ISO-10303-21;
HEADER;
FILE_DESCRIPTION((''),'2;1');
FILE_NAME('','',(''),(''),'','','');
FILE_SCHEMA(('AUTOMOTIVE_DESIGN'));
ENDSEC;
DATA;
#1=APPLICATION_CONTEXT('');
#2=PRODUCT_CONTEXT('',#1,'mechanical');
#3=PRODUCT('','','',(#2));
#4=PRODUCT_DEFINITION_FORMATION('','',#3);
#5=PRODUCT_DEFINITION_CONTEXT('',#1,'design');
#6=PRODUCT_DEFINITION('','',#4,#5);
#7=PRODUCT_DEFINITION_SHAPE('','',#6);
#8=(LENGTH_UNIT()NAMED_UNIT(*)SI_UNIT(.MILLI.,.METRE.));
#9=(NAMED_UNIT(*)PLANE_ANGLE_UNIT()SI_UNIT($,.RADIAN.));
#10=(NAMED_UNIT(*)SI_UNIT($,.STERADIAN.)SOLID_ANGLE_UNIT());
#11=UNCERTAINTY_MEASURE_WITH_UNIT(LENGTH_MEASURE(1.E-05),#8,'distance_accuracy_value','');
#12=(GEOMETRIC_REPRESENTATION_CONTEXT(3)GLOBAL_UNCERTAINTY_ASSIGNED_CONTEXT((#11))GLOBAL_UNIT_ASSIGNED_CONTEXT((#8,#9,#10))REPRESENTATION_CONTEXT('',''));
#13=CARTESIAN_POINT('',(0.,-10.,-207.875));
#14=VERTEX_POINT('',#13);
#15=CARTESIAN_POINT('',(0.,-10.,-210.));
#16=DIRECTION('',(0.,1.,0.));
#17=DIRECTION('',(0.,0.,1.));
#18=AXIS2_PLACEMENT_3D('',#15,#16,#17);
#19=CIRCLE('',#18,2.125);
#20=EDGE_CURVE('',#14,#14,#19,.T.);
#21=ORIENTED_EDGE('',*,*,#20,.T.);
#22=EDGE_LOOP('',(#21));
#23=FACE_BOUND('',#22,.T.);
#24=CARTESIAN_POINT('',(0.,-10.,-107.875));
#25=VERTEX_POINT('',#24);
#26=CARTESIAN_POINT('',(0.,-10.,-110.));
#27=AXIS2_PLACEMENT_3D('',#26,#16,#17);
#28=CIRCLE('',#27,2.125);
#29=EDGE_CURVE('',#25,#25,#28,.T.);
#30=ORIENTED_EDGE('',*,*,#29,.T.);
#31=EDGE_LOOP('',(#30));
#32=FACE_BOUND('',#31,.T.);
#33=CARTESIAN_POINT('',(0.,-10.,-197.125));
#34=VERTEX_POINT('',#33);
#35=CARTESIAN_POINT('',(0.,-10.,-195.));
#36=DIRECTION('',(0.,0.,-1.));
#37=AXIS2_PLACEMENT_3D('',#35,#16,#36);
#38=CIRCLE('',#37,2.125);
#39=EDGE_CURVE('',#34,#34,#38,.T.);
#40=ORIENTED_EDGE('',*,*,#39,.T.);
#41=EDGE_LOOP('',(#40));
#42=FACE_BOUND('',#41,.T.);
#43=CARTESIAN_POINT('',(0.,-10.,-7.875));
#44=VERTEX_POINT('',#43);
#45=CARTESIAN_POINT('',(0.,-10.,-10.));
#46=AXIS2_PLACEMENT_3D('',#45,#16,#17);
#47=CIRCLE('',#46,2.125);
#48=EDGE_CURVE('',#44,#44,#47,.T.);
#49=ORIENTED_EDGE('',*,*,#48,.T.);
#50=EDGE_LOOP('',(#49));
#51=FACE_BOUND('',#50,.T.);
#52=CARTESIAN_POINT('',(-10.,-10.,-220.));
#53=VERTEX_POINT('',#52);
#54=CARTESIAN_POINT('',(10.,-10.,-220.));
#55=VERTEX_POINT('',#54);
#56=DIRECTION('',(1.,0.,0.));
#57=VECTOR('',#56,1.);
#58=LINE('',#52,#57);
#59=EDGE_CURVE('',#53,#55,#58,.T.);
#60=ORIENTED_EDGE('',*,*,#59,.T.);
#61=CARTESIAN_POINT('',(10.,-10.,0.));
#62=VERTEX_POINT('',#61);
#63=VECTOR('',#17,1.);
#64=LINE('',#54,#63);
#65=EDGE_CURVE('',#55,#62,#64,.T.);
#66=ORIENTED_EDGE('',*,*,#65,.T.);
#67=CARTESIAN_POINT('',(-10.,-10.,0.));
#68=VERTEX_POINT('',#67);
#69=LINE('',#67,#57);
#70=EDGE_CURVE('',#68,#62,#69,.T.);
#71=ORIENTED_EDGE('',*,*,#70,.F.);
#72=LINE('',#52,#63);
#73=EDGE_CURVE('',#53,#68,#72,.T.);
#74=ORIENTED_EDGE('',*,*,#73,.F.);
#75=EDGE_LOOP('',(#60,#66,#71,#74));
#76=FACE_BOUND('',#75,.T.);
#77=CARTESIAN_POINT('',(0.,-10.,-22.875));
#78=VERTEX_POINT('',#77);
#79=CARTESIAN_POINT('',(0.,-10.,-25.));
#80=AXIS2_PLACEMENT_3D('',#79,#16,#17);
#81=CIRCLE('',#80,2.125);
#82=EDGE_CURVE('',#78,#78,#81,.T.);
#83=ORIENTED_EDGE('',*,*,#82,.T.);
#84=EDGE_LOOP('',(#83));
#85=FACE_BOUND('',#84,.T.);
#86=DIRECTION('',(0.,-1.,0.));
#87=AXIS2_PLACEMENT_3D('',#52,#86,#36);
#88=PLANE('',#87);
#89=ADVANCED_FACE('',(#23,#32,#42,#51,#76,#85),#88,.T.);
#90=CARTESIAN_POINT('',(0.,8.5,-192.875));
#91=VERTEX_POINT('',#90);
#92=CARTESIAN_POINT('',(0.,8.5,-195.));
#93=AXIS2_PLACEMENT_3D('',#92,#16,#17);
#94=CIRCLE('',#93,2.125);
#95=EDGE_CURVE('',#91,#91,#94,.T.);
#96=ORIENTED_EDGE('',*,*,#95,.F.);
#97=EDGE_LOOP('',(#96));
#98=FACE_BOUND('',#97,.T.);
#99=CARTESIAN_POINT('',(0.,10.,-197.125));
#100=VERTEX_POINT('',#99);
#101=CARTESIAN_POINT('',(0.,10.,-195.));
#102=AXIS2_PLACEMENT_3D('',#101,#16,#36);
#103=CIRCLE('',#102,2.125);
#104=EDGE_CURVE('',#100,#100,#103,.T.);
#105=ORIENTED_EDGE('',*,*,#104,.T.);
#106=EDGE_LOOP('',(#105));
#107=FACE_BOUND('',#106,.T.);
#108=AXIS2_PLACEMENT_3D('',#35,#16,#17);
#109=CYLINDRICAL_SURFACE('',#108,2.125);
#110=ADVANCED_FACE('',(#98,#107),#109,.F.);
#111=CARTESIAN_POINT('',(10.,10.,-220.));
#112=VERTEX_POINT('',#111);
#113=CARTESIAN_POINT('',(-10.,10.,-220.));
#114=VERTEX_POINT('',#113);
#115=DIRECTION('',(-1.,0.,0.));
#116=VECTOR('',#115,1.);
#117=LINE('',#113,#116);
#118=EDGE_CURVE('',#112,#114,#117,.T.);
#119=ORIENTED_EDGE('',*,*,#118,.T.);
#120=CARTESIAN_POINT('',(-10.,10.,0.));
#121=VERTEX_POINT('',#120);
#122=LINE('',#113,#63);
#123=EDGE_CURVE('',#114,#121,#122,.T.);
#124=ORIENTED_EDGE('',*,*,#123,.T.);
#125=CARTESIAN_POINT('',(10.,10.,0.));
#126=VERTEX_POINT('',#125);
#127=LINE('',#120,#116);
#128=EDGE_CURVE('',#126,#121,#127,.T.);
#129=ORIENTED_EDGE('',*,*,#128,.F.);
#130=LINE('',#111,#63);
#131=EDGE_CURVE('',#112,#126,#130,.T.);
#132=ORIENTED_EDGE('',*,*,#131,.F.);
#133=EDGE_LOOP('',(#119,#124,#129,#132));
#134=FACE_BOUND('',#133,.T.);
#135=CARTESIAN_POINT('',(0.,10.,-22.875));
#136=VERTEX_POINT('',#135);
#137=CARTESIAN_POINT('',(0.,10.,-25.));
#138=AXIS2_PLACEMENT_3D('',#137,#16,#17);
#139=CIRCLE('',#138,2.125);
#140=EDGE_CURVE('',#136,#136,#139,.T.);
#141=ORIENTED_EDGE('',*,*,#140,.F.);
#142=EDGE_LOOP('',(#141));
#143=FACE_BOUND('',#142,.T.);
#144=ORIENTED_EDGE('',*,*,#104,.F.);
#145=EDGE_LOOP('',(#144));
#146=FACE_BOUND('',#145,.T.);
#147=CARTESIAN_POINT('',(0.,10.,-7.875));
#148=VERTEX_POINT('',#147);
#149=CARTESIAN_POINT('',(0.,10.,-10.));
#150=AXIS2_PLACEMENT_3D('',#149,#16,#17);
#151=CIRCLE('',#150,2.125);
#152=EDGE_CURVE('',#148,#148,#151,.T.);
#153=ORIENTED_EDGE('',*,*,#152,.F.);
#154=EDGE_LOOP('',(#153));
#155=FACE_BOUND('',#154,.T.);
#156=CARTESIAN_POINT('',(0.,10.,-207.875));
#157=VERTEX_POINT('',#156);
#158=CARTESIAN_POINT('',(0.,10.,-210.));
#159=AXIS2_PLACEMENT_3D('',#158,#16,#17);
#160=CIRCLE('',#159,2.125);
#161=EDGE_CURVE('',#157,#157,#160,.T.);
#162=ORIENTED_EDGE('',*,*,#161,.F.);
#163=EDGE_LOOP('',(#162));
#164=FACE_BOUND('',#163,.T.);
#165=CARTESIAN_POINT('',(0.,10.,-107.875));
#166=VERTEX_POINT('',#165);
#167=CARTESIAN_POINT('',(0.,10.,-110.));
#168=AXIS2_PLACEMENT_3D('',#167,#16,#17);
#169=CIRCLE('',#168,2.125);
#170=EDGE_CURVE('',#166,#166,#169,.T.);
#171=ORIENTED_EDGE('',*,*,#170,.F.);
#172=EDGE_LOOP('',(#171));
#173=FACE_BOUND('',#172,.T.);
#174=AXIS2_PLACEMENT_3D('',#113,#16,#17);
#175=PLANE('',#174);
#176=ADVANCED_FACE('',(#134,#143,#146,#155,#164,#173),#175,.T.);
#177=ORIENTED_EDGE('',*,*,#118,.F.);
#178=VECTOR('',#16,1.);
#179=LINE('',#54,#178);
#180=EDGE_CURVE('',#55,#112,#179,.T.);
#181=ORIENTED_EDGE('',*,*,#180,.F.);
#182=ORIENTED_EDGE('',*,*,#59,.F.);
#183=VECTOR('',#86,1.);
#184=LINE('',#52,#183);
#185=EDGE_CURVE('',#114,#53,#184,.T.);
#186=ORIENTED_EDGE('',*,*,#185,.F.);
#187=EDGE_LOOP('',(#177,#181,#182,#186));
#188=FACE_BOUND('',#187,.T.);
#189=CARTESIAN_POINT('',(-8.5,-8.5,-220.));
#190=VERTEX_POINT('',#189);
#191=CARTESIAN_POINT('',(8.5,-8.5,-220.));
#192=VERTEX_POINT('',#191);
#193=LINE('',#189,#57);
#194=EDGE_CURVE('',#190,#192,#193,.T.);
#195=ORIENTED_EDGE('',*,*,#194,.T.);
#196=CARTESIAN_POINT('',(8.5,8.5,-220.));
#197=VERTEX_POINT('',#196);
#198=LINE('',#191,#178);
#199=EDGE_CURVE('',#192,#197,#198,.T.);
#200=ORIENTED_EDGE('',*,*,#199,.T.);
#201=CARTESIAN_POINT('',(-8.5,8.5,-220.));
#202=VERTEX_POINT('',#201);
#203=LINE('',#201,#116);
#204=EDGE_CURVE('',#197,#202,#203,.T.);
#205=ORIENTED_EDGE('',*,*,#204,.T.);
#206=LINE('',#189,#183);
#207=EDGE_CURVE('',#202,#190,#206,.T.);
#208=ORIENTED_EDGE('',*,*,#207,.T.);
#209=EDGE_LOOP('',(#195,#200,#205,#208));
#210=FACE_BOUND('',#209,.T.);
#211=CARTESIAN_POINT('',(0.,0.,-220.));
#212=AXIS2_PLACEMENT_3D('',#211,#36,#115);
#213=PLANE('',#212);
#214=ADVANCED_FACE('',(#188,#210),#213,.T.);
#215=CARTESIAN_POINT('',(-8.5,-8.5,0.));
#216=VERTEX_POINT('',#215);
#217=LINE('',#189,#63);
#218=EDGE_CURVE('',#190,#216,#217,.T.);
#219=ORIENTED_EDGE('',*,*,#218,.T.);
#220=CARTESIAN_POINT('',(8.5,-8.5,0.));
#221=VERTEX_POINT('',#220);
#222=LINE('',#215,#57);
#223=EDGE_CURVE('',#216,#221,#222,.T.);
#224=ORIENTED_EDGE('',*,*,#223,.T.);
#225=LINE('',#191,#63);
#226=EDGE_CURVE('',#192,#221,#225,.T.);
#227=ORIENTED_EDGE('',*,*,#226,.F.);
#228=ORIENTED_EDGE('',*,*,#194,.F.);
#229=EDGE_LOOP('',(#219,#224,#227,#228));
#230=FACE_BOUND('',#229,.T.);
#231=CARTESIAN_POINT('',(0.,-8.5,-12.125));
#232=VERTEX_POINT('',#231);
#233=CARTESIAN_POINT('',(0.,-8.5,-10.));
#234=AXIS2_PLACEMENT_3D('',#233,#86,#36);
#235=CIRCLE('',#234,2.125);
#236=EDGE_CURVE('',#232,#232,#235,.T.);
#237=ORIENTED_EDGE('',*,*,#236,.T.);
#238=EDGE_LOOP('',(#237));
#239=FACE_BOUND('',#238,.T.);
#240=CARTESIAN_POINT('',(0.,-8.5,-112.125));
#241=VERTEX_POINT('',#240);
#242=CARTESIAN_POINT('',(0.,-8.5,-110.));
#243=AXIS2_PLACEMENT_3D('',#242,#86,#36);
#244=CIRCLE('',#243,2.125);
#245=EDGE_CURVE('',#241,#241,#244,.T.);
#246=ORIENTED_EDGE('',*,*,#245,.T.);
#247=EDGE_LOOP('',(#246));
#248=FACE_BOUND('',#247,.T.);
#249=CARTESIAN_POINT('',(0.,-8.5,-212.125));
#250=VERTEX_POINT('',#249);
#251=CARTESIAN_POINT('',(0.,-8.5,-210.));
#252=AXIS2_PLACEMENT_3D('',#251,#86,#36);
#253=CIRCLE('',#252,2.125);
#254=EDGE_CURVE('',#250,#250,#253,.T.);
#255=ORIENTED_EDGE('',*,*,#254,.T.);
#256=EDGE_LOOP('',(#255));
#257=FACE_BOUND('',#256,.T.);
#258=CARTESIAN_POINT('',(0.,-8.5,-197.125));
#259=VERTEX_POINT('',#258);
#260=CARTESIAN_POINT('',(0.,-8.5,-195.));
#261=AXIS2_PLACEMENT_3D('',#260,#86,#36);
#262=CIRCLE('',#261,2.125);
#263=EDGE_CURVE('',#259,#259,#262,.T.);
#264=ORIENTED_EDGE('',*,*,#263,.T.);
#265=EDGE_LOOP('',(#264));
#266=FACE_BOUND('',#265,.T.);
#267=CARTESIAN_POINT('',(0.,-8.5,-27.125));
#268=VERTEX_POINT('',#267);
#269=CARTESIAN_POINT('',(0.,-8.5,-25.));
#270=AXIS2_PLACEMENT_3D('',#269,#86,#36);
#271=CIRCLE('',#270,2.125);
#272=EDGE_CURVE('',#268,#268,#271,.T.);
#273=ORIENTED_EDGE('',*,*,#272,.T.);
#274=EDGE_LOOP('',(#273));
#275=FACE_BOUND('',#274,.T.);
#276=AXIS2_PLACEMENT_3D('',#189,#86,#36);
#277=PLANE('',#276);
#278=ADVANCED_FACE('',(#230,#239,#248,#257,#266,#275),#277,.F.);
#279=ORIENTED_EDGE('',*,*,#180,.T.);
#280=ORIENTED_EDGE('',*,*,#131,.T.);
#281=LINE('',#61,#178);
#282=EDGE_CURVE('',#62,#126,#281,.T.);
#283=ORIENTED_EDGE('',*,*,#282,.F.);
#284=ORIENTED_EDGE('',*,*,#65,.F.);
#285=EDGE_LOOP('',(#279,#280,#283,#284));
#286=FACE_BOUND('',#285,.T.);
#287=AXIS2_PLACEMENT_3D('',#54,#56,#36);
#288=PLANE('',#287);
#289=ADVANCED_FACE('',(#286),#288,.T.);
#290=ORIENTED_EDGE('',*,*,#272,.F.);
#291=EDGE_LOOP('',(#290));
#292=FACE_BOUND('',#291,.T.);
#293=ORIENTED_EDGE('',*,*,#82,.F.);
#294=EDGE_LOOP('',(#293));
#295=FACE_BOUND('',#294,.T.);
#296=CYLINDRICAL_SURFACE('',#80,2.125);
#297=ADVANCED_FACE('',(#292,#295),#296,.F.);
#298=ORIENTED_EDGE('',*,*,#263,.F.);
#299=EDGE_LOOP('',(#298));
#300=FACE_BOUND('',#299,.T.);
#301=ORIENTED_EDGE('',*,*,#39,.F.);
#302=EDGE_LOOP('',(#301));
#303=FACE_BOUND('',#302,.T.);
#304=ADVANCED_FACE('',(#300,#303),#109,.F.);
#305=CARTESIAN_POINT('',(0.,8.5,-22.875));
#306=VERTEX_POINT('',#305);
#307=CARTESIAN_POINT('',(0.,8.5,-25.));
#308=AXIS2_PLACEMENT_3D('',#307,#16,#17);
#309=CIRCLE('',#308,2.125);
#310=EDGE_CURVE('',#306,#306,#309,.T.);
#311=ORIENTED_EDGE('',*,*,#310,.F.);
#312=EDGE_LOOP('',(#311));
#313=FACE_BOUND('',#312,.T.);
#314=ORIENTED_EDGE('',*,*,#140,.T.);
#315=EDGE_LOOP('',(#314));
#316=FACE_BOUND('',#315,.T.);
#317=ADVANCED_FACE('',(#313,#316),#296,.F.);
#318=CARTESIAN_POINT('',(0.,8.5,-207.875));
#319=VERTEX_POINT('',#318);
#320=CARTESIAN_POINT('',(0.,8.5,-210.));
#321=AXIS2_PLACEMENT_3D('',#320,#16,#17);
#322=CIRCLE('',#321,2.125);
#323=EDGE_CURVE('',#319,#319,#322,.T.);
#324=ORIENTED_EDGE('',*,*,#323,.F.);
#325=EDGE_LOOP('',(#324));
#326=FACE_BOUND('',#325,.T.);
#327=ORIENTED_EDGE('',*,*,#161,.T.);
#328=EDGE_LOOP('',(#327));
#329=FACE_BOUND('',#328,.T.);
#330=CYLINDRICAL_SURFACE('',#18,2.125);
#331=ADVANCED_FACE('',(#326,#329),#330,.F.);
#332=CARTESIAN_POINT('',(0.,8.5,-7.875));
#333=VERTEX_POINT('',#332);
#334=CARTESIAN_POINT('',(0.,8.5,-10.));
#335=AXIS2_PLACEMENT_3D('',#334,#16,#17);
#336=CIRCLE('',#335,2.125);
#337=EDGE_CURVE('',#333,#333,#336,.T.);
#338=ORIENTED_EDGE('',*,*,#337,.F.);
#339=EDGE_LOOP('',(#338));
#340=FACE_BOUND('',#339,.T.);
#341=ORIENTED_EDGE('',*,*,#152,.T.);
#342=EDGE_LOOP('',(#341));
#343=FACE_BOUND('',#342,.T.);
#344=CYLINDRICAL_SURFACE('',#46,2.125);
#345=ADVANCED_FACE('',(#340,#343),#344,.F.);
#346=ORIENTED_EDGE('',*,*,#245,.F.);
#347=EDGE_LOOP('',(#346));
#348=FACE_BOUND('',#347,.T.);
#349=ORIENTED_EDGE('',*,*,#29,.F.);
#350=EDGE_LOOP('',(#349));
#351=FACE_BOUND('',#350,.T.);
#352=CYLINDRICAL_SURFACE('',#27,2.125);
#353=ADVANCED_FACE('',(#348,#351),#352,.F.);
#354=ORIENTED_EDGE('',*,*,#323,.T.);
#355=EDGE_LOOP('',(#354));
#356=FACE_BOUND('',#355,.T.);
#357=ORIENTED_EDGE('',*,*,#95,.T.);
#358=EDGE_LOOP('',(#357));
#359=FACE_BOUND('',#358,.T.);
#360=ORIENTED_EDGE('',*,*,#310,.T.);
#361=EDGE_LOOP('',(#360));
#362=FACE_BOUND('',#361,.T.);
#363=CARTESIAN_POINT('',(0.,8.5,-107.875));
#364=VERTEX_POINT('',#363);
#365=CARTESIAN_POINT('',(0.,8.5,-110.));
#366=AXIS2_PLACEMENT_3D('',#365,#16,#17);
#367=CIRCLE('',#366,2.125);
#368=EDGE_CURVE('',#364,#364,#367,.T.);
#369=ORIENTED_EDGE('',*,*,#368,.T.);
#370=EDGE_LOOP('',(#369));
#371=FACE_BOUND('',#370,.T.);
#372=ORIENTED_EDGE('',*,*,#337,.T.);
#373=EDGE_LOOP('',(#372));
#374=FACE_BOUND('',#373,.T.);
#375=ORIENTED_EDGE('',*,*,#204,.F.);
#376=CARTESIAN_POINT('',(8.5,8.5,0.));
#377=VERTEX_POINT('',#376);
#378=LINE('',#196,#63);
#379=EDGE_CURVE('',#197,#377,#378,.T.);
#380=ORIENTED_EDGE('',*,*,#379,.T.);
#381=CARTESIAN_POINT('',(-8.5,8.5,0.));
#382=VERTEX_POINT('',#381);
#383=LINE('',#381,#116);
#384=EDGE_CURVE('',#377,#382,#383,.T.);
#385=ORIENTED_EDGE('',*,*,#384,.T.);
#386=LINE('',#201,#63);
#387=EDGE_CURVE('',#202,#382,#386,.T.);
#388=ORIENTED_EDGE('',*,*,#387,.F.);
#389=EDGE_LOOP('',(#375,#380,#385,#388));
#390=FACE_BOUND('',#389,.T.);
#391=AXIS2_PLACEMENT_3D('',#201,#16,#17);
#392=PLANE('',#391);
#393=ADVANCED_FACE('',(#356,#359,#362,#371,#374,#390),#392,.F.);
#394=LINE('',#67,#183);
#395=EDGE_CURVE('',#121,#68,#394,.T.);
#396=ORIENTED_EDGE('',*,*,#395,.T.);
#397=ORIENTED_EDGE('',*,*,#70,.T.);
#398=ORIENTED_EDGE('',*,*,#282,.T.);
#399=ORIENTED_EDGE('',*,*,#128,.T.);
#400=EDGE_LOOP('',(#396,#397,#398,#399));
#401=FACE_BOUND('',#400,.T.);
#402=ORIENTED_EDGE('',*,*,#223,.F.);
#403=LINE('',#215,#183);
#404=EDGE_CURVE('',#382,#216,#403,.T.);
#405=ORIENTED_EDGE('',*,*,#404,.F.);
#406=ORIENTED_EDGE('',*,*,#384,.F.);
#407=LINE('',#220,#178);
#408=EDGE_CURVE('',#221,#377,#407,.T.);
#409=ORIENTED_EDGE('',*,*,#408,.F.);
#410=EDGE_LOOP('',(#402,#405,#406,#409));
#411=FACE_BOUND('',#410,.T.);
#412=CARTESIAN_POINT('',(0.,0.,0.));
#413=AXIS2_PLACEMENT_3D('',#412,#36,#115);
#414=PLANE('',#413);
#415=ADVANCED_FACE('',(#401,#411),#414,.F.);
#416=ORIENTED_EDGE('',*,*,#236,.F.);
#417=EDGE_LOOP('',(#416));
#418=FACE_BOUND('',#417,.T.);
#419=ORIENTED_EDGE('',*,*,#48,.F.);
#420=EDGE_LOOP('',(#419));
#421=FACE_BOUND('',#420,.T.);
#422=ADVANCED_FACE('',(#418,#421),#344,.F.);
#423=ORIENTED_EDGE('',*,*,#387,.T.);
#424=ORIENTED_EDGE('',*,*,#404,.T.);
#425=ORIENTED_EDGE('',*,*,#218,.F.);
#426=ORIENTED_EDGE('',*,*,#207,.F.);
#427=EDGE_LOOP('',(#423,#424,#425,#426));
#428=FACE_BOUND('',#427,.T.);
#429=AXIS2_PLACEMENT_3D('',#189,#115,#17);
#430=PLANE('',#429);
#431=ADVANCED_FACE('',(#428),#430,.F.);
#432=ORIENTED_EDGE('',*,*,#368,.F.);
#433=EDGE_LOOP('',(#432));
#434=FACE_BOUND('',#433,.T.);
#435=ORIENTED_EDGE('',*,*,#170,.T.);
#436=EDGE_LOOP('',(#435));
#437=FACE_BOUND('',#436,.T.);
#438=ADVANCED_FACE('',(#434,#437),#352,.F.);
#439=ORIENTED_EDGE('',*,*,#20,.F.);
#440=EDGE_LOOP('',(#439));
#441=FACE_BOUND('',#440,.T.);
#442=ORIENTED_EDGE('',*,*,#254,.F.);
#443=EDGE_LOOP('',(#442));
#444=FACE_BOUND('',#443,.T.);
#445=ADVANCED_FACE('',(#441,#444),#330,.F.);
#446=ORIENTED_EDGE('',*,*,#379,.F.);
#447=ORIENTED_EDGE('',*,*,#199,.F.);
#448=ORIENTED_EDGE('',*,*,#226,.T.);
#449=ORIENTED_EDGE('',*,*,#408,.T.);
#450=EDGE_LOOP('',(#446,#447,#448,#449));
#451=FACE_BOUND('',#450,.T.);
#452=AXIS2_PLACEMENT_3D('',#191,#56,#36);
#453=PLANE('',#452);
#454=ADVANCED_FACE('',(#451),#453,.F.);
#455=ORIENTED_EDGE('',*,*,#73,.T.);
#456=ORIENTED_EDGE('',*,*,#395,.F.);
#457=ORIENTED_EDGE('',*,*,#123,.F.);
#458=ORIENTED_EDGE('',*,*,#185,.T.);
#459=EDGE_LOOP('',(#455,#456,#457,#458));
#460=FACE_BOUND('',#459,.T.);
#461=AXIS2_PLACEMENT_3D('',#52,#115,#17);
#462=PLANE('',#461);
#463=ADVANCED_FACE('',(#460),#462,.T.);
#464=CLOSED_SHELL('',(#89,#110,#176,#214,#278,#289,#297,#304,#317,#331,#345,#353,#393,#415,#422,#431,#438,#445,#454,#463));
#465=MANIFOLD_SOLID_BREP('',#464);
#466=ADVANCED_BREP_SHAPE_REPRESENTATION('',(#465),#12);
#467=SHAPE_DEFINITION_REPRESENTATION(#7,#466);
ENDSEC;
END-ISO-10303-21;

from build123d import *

# Parameters (mm, degrees)
SKETCH1_W           = 20
SKETCH1_H           = 20
SKETCH1_W_2         = 17
SKETCH1_H_2         = 17
BOSS_EXTRUDE1_DEPTH = 220
SKETCH2_R           = 2.125
CUT_EXTRUDE1_DEPTH  = 222.133443875


with BuildPart() as part:
    # Sketch1 → Boss-Extrude1 (new body)
    with BuildSketch(Plane.XY):
        Rectangle(SKETCH1_W, SKETCH1_H)
        Rectangle(SKETCH1_W_2, SKETCH1_H_2, mode=Mode.SUBTRACT)
    extrude(amount=-BOSS_EXTRUDE1_DEPTH)

    # Sketch2 → Cut-Extrude1 (cut, through all)
    with BuildSketch(Plane(origin=(0, 10, 0), x_dir=(1, 0, 0), z_dir=(0, 1, 0))):
        with Locations(Location((0, 10, 0), (0, 0, 270))):
            Circle(SKETCH2_R)
        with Locations(Location((0, 110, 0), (0, 0, 270))):
            Circle(SKETCH2_R)
        with Locations(Location((0, 210, 0), (0, 0, 270))):
            Circle(SKETCH2_R)
        with Locations(Location((0, 25, 0), (0, 0, 270))):
            Circle(SKETCH2_R)
        with Locations(Location((0, 195, 0), (0, 0, 90))):
            Circle(SKETCH2_R)
    extrude(amount=-CUT_EXTRUDE1_DEPTH, mode=Mode.SUBTRACT)


solid = part.part
